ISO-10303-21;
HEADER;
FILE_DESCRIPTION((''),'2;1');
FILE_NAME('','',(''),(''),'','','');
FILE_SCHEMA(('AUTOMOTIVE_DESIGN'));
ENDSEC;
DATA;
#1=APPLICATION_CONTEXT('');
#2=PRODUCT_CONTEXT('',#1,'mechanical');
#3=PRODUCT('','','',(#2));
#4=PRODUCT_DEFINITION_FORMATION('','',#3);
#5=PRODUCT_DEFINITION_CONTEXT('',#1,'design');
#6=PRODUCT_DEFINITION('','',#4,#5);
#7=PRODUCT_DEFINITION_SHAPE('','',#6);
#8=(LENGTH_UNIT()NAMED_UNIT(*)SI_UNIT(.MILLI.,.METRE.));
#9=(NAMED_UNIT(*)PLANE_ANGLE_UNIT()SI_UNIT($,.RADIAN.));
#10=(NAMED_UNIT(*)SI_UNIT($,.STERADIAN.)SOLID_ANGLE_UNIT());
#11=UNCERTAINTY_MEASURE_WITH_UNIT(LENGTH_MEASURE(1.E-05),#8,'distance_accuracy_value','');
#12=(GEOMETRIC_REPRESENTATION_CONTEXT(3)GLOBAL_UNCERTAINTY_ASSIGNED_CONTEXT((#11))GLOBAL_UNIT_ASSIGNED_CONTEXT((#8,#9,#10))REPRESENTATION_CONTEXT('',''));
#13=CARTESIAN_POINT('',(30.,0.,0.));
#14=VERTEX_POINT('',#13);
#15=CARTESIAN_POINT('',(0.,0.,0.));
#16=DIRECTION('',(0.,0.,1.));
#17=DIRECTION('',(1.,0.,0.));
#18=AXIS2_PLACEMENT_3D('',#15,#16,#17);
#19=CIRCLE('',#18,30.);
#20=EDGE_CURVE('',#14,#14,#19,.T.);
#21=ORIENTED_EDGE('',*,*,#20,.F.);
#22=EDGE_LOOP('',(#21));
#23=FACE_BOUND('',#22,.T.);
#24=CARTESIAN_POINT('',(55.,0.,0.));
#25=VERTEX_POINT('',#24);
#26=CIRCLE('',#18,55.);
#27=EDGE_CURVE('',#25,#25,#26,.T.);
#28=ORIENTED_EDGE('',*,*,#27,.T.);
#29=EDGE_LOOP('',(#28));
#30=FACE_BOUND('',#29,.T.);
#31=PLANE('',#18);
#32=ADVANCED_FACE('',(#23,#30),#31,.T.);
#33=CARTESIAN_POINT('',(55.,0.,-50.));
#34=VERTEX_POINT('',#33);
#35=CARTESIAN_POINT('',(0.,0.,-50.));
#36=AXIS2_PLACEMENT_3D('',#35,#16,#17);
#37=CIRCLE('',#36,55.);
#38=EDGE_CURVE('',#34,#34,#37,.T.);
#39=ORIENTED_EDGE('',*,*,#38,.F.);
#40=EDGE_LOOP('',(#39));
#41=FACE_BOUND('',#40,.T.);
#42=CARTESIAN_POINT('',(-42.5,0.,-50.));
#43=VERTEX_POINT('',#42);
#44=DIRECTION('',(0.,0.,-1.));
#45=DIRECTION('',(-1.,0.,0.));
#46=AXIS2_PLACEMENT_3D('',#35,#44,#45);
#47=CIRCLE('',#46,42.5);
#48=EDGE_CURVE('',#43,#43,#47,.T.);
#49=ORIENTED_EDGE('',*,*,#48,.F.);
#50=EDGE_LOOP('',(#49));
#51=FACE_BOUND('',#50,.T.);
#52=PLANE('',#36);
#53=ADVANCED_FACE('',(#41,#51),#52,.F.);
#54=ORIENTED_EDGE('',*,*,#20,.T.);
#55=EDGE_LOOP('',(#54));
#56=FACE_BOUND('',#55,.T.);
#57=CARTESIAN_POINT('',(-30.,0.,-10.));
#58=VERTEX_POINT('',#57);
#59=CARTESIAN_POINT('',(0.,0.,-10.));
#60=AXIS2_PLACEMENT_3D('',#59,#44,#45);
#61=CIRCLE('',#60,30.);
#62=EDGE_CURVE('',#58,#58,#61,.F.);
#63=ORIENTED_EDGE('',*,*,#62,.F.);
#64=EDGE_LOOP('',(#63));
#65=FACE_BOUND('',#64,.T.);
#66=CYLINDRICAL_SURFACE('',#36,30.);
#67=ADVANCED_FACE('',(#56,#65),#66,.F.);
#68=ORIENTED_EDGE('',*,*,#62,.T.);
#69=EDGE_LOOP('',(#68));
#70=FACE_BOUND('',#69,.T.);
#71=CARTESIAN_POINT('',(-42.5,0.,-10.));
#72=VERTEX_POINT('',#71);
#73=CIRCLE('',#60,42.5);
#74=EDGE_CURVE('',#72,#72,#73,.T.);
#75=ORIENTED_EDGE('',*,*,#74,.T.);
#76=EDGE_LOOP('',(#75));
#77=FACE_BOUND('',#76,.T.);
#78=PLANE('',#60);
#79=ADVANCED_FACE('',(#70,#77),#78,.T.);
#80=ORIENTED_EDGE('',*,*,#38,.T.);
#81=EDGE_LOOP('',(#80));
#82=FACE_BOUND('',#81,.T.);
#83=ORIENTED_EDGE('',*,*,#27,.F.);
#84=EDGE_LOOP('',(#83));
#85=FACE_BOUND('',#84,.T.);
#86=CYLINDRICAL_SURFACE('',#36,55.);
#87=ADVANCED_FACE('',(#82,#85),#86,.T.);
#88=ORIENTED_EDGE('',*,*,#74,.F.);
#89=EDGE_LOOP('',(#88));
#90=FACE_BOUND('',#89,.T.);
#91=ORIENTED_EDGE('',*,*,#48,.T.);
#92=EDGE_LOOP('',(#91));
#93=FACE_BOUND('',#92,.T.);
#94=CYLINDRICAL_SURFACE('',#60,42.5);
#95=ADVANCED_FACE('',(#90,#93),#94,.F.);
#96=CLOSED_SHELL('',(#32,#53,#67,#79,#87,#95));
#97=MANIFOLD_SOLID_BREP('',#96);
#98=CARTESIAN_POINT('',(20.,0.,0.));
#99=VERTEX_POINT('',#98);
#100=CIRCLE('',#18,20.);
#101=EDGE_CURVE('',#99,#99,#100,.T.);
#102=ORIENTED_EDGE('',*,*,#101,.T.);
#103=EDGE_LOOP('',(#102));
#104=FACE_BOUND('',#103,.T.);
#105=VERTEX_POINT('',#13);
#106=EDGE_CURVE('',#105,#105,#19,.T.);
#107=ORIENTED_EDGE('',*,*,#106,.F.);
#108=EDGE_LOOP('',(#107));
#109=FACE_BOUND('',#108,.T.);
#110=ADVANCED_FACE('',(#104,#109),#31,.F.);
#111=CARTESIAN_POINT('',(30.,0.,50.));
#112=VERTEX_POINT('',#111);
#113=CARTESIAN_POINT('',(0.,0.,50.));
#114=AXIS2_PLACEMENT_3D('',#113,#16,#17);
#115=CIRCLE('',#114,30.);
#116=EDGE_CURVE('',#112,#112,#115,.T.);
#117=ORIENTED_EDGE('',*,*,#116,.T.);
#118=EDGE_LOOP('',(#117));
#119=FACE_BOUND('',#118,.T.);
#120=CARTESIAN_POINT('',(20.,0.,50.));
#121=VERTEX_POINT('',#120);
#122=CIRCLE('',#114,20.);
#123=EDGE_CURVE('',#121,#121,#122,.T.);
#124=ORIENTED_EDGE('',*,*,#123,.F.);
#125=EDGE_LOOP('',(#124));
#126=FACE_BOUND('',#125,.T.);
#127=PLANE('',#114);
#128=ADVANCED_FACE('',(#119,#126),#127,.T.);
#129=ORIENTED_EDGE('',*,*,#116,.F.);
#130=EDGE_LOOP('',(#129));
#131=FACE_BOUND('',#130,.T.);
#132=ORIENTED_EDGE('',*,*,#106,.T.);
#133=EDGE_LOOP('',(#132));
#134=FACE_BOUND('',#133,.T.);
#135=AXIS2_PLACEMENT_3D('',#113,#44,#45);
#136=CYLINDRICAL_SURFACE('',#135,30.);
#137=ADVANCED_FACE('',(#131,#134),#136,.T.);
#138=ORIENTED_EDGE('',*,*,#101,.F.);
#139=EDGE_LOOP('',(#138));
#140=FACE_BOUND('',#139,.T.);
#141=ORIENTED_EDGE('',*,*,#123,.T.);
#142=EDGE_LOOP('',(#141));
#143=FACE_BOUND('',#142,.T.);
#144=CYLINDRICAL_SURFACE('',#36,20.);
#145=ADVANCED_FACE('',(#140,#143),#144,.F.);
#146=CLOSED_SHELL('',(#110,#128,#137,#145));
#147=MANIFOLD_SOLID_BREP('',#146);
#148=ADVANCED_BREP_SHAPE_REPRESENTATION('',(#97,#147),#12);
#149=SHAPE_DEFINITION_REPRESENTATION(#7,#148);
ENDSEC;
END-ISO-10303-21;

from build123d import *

# Parameters (mm, degrees)
SKETCH1_R           = 30
BOSS_EXTRUDE1_DEPTH = 50
SKETCH1_4_R         = 55
SKETCH1_4_R_2       = 30
BOSS_EXTRUDE2_DEPTH = 50
SKETCH2_R           = 20
CUT_EXTRUDE1_DEPTH  = 127.688594593
SKETCH3_R           = 42.5
CUT_EXTRUDE2_DEPTH  = 40


with BuildPart() as part:
    # Sketch1 → Boss-Extrude1 (new body)
    with BuildSketch(Plane.XY):
        Circle(SKETCH1_R)
    extrude(amount=BOSS_EXTRUDE1_DEPTH)

    # Sketch2 → Cut-Extrude1 (cut, through all)
    with BuildSketch(Plane.XY.offset(50)):
        Circle(SKETCH2_R)
    extrude(amount=-CUT_EXTRUDE1_DEPTH, mode=Mode.SUBTRACT)


with BuildPart() as body_2:
    # Sketch1<4> → Boss-Extrude2 (new body)
    with BuildSketch(Plane.XY):
        Circle(SKETCH1_4_R)
        Circle(SKETCH1_4_R_2, mode=Mode.SUBTRACT)
    extrude(amount=-BOSS_EXTRUDE2_DEPTH)

    # Sketch3 → Cut-Extrude2 (cut)
    with BuildSketch(Plane(origin=(0, 0, -50), x_dir=(-1, 0, 0), z_dir=(0, 0, -1))):
        Circle(SKETCH3_R)
    extrude(amount=-CUT_EXTRUDE2_DEPTH, mode=Mode.SUBTRACT)


solid = Compound([part.part, body_2.part])
